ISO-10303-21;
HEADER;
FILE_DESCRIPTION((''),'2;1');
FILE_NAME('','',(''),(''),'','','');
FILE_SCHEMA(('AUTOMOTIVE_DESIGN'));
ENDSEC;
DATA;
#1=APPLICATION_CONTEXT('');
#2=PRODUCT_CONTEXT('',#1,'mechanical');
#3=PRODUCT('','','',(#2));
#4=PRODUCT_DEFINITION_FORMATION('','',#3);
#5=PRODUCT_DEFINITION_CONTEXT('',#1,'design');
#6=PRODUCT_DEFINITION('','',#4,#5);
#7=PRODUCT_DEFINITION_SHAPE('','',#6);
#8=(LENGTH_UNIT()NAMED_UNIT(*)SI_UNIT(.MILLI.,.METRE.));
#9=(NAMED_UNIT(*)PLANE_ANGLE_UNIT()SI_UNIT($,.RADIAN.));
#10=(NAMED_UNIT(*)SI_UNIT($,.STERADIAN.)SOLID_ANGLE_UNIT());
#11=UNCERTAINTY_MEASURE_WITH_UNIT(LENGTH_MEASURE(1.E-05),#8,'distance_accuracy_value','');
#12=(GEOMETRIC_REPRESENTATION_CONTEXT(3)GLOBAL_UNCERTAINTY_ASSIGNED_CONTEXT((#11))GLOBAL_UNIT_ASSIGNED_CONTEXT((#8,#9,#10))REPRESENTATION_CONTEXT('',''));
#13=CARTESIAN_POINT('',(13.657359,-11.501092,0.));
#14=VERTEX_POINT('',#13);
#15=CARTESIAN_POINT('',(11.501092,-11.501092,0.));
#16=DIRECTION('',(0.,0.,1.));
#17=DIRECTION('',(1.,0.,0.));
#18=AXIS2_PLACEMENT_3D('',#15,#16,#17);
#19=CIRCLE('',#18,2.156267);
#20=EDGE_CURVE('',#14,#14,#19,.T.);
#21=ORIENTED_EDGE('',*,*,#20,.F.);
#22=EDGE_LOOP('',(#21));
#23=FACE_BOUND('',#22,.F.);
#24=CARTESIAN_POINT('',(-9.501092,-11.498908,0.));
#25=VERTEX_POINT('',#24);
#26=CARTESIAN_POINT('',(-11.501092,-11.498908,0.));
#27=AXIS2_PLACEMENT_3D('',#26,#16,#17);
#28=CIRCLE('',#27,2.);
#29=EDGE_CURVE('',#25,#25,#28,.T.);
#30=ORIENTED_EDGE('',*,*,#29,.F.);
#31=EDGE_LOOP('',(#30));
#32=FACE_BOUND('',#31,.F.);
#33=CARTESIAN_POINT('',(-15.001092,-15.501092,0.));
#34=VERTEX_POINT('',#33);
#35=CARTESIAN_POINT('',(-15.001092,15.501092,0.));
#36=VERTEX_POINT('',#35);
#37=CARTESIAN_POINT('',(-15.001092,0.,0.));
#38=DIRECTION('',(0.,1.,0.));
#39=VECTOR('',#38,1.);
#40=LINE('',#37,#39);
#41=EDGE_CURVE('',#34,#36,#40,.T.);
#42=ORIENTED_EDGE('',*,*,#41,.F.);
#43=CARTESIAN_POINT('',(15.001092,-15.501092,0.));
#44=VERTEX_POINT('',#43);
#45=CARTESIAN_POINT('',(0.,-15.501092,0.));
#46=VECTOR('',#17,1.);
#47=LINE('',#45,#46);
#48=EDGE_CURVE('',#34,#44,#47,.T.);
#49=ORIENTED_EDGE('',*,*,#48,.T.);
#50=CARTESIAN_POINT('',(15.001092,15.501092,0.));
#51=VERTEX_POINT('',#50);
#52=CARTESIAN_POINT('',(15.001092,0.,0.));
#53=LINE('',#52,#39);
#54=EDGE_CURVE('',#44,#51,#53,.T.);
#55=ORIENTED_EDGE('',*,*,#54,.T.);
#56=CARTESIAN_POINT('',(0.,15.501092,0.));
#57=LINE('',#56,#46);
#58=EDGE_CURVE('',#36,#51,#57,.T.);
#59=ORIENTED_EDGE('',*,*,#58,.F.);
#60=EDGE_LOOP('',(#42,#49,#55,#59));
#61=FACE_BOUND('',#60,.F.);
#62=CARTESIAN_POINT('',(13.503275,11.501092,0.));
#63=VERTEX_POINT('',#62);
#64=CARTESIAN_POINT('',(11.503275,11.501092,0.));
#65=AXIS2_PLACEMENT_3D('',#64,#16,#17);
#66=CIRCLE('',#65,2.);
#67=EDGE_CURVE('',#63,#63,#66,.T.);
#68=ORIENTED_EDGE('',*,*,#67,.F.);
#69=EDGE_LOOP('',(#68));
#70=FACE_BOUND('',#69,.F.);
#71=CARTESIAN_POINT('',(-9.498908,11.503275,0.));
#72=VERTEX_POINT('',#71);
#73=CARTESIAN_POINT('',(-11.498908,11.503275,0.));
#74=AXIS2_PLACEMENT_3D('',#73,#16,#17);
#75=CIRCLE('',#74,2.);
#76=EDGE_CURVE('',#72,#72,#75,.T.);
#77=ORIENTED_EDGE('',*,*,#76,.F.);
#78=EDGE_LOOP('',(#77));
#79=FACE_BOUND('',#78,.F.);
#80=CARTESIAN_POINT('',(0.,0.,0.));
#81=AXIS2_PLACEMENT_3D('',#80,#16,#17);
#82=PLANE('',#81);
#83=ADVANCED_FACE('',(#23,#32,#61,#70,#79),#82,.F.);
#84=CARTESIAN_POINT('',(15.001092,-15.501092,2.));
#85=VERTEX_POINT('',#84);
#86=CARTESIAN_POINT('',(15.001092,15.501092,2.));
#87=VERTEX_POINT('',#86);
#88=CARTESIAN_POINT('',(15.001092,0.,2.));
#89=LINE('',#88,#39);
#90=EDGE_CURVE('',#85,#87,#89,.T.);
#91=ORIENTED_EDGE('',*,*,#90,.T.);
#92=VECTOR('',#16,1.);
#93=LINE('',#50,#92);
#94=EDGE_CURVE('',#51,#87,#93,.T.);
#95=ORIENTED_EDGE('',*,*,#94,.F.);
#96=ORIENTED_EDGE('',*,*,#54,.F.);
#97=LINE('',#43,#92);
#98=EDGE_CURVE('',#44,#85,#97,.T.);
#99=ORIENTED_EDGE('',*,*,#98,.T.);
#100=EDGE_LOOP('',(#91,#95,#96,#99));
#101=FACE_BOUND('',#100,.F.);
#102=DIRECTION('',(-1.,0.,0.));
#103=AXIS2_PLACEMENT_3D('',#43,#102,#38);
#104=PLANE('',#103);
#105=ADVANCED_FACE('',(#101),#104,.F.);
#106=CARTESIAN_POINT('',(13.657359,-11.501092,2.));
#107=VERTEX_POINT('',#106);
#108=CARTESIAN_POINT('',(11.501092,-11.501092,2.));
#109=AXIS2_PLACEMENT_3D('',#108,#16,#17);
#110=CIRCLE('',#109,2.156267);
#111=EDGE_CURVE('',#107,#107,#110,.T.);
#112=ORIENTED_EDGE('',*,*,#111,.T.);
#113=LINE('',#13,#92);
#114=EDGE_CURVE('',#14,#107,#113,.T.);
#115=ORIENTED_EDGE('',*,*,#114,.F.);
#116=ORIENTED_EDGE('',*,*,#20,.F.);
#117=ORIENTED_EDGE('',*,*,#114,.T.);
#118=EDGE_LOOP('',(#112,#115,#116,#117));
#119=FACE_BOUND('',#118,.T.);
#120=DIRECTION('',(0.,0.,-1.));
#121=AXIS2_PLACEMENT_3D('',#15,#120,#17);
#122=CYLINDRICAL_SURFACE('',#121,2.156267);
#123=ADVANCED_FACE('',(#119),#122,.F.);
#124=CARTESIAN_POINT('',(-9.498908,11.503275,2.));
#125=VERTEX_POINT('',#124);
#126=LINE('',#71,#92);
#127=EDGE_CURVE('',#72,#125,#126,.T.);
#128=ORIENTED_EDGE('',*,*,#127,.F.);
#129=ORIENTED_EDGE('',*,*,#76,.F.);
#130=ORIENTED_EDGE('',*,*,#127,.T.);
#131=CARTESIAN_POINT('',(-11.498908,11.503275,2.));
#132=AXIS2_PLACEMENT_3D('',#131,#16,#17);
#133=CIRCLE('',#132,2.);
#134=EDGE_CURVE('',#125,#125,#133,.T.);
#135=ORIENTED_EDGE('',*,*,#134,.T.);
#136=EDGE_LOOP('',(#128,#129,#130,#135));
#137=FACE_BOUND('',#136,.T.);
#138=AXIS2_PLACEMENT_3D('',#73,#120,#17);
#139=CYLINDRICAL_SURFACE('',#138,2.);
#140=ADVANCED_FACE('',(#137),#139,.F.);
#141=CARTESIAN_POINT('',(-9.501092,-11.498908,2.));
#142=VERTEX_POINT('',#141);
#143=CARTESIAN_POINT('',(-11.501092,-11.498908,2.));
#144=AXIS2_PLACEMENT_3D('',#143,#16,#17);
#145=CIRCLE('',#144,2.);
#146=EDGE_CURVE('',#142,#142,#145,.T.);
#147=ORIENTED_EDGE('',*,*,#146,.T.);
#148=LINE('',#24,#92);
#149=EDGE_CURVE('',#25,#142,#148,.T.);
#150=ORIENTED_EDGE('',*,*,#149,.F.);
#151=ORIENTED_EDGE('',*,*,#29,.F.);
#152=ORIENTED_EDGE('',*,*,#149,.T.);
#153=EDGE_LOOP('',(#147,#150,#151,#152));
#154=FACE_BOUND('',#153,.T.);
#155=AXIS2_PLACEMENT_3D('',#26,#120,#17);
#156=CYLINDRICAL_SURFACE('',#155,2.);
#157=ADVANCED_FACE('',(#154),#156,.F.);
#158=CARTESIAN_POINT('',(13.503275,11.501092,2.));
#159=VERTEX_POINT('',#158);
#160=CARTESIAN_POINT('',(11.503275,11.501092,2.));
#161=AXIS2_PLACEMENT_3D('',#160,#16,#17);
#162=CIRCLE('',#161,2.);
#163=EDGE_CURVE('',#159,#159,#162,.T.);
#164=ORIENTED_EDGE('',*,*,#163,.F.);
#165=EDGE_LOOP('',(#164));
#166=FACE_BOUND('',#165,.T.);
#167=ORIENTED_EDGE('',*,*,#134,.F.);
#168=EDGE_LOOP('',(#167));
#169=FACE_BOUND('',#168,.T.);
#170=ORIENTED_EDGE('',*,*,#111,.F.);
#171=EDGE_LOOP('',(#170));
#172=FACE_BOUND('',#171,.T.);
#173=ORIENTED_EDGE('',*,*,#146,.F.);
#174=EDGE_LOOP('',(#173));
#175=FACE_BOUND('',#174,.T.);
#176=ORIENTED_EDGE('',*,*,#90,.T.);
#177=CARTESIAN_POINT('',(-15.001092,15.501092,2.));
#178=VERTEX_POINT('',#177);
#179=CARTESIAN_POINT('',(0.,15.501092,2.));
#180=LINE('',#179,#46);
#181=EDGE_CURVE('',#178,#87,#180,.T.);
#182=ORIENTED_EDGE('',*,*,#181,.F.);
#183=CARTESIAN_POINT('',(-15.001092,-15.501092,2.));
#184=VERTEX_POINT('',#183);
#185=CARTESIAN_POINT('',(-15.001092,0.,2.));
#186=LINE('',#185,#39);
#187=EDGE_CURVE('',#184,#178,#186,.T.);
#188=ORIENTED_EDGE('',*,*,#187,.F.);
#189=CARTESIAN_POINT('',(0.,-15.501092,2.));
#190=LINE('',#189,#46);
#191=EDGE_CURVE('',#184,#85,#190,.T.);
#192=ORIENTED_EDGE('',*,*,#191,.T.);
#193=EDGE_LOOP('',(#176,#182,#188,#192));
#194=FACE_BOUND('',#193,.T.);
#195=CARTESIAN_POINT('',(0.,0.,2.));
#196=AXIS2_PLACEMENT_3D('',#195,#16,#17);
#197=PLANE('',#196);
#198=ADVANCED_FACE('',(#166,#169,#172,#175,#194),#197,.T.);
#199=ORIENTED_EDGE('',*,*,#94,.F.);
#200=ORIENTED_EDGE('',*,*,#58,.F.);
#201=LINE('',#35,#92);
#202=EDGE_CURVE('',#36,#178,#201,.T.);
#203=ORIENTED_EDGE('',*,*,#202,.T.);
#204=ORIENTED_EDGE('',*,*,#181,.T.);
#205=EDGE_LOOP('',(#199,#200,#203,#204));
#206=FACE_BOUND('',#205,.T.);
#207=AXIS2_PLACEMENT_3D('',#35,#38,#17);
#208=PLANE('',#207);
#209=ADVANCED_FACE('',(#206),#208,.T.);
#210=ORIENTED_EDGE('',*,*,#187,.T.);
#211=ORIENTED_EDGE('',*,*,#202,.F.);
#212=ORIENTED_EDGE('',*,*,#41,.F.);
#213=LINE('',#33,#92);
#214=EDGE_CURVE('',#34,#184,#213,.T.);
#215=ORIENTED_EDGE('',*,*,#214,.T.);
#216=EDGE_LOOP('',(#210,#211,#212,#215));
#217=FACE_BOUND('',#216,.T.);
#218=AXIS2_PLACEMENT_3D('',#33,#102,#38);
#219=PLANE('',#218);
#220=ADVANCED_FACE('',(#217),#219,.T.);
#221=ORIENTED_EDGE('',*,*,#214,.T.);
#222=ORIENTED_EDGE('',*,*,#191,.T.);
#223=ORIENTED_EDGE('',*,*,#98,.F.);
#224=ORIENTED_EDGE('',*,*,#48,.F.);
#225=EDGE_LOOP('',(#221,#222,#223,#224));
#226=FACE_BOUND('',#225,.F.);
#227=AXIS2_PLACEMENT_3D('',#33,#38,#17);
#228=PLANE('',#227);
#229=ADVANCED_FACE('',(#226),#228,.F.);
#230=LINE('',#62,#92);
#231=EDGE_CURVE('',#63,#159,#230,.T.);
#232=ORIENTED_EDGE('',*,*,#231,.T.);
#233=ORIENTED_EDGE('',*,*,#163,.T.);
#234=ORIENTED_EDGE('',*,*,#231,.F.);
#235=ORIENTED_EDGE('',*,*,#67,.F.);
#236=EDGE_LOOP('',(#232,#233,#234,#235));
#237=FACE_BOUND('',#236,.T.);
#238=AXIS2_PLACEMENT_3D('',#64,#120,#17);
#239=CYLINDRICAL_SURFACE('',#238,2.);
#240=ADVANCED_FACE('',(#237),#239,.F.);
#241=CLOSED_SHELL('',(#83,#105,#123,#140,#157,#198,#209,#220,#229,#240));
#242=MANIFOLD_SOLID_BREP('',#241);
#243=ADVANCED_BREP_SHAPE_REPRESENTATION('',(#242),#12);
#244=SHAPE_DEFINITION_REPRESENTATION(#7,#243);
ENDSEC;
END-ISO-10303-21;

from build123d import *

# Parameters (mm, degrees)
SKETCH2_W           = 30.002183488
SKETCH2_H           = 31.002183488
SKETCH2_R           = 2
SKETCH2_R_2         = 2.156266898
BOSS_EXTRUDE1_DEPTH = 2


with BuildPart() as part:
    # Sketch2 → Boss-Extrude1 (new body)
    with BuildSketch(Plane.XY):
        Rectangle(SKETCH2_W, SKETCH2_H)
        with Locations((-11.498908256, 11.503275233)):
            Circle(SKETCH2_R, mode=Mode.SUBTRACT)
        with Locations((11.503275233, 11.501091744)):
            Circle(SKETCH2_R, mode=Mode.SUBTRACT)
        with Locations((-11.501091744, -11.498908256)):
            Circle(SKETCH2_R, mode=Mode.SUBTRACT)
        with Locations((11.501091744, -11.501091744)):
            Circle(SKETCH2_R_2, mode=Mode.SUBTRACT)
    extrude(amount=BOSS_EXTRUDE1_DEPTH)


solid = part.part
